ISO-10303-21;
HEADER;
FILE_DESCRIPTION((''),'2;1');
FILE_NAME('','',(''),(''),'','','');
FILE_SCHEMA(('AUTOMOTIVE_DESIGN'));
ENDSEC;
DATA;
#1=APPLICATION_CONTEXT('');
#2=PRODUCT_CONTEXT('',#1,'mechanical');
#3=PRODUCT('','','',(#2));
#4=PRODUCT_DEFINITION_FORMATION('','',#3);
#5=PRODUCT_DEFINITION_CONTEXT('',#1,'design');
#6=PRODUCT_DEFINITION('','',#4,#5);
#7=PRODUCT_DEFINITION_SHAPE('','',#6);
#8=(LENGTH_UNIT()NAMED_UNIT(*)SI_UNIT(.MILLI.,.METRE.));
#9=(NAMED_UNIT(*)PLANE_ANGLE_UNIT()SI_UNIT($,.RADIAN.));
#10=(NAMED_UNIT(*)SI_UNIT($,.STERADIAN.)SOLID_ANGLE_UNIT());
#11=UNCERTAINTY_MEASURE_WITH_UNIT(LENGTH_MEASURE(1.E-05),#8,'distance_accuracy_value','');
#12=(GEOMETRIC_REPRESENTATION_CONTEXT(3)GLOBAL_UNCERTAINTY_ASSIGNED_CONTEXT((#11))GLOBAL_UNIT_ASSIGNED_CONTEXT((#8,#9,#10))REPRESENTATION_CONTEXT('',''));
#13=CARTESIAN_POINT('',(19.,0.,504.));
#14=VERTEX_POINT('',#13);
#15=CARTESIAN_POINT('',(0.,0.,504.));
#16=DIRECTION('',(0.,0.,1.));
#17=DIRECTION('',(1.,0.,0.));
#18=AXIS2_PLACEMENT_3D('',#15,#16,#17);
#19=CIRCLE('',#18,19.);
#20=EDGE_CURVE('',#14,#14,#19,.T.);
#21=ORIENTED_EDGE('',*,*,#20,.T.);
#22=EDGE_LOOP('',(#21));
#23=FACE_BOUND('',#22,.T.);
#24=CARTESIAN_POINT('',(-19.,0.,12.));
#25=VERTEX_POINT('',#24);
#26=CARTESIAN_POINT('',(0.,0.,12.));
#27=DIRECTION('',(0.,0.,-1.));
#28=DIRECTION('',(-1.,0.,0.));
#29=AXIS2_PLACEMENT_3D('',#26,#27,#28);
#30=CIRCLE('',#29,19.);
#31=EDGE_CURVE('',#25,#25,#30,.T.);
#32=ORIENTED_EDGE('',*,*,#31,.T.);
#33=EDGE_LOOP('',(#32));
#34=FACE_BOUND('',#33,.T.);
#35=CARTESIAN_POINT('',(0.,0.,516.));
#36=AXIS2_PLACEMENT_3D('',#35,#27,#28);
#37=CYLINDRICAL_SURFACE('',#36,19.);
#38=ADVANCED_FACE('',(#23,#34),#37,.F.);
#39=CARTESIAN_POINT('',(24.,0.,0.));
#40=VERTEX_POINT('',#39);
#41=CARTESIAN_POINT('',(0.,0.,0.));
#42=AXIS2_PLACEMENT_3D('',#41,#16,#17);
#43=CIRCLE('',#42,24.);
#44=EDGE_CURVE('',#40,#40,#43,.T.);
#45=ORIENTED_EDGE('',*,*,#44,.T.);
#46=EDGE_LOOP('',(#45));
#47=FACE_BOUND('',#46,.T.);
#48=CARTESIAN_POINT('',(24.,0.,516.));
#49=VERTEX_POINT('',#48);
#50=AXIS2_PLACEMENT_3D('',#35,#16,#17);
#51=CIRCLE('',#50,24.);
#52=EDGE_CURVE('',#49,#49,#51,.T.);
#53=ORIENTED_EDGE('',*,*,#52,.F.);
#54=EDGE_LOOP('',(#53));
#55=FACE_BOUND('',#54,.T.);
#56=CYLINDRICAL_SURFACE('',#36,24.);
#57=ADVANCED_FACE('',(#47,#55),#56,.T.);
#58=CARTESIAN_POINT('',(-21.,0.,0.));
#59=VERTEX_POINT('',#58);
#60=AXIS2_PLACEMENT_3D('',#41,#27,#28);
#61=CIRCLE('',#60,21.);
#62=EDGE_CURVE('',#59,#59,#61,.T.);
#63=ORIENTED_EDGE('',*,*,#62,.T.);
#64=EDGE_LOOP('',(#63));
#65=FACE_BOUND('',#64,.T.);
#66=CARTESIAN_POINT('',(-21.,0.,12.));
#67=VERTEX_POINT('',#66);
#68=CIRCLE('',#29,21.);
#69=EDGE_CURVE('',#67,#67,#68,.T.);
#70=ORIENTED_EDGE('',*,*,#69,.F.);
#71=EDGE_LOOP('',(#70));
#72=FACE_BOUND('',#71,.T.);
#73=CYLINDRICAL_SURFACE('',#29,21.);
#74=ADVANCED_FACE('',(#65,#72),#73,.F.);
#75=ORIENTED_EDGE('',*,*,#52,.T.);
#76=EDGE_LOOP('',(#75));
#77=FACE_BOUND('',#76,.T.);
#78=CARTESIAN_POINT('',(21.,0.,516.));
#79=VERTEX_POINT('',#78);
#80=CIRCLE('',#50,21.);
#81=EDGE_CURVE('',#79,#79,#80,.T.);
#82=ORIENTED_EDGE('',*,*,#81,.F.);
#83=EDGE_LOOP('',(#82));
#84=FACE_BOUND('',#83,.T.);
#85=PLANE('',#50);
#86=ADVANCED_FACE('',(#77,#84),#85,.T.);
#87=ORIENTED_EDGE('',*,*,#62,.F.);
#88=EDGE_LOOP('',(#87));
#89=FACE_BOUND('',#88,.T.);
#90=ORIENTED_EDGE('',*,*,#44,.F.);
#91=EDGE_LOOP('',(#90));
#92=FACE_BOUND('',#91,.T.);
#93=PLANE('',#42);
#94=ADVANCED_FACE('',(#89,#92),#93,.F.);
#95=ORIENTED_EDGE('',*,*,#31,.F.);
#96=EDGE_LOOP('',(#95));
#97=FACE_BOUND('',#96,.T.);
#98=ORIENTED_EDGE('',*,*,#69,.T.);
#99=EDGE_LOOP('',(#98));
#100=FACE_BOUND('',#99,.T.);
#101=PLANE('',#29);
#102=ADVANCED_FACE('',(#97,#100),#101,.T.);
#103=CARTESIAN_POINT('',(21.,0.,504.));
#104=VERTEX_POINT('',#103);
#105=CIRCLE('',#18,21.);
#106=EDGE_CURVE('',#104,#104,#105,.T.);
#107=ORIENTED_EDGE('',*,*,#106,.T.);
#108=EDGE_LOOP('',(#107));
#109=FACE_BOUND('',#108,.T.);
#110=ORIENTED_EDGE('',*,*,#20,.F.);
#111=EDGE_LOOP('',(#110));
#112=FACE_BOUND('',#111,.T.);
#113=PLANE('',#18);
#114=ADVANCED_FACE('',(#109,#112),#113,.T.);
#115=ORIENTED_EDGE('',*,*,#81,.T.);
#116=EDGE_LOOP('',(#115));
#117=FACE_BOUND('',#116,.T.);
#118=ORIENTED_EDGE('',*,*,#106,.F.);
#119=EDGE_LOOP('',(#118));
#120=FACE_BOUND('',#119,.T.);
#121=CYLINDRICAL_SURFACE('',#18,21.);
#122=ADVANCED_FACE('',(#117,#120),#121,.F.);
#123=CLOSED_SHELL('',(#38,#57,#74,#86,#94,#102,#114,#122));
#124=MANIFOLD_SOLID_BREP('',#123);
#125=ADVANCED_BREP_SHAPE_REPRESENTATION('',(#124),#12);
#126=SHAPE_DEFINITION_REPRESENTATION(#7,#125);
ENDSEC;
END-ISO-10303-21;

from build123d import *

# Parameters (mm, degrees)
IZIM1_R                     = 24
IZIM1_R_2                   = 19
Y_KSEKLIK_EKSTR_ZYON1_DEPTH = 516
KES_EKSTR_ZYON1_START       = -12
IZIM2_R                     = 21
IZIM2_R_2                   = 19
KES_EKSTR_ZYON1_DEPTH       = 12
IZIM3_R                     = 21
IZIM3_R_2                   = 19
KES_EKSTR_ZYON2_DEPTH       = 12


with BuildPart() as part:
    # Çizim1 → Yükseklik-Ekstrüzyon1 (new body)
    with BuildSketch(Plane.XY):
        Circle(IZIM1_R)
        Circle(IZIM1_R_2, mode=Mode.SUBTRACT)
    extrude(amount=Y_KSEKLIK_EKSTR_ZYON1_DEPTH)

    # Çizim2 → Kes-Ekstrüzyon1 (cut)
    with BuildSketch(Plane.XY.offset(516).offset(KES_EKSTR_ZYON1_START)):
        Circle(IZIM2_R)
        Circle(IZIM2_R_2, mode=Mode.SUBTRACT)
    extrude(amount=KES_EKSTR_ZYON1_DEPTH, mode=Mode.SUBTRACT)

    # Çizim3 → Kes-Ekstrüzyon2 (cut)
    with BuildSketch(Plane(origin=(0, 0, 0), x_dir=(-1, 0, 0), z_dir=(0, 0, -1))):
        with Locations(Location((0, 0, 0), (0, 0, 180))):
            Circle(IZIM3_R)
        Circle(IZIM3_R_2, mode=Mode.SUBTRACT)
    extrude(amount=-KES_EKSTR_ZYON2_DEPTH, mode=Mode.SUBTRACT)


solid = part.part
